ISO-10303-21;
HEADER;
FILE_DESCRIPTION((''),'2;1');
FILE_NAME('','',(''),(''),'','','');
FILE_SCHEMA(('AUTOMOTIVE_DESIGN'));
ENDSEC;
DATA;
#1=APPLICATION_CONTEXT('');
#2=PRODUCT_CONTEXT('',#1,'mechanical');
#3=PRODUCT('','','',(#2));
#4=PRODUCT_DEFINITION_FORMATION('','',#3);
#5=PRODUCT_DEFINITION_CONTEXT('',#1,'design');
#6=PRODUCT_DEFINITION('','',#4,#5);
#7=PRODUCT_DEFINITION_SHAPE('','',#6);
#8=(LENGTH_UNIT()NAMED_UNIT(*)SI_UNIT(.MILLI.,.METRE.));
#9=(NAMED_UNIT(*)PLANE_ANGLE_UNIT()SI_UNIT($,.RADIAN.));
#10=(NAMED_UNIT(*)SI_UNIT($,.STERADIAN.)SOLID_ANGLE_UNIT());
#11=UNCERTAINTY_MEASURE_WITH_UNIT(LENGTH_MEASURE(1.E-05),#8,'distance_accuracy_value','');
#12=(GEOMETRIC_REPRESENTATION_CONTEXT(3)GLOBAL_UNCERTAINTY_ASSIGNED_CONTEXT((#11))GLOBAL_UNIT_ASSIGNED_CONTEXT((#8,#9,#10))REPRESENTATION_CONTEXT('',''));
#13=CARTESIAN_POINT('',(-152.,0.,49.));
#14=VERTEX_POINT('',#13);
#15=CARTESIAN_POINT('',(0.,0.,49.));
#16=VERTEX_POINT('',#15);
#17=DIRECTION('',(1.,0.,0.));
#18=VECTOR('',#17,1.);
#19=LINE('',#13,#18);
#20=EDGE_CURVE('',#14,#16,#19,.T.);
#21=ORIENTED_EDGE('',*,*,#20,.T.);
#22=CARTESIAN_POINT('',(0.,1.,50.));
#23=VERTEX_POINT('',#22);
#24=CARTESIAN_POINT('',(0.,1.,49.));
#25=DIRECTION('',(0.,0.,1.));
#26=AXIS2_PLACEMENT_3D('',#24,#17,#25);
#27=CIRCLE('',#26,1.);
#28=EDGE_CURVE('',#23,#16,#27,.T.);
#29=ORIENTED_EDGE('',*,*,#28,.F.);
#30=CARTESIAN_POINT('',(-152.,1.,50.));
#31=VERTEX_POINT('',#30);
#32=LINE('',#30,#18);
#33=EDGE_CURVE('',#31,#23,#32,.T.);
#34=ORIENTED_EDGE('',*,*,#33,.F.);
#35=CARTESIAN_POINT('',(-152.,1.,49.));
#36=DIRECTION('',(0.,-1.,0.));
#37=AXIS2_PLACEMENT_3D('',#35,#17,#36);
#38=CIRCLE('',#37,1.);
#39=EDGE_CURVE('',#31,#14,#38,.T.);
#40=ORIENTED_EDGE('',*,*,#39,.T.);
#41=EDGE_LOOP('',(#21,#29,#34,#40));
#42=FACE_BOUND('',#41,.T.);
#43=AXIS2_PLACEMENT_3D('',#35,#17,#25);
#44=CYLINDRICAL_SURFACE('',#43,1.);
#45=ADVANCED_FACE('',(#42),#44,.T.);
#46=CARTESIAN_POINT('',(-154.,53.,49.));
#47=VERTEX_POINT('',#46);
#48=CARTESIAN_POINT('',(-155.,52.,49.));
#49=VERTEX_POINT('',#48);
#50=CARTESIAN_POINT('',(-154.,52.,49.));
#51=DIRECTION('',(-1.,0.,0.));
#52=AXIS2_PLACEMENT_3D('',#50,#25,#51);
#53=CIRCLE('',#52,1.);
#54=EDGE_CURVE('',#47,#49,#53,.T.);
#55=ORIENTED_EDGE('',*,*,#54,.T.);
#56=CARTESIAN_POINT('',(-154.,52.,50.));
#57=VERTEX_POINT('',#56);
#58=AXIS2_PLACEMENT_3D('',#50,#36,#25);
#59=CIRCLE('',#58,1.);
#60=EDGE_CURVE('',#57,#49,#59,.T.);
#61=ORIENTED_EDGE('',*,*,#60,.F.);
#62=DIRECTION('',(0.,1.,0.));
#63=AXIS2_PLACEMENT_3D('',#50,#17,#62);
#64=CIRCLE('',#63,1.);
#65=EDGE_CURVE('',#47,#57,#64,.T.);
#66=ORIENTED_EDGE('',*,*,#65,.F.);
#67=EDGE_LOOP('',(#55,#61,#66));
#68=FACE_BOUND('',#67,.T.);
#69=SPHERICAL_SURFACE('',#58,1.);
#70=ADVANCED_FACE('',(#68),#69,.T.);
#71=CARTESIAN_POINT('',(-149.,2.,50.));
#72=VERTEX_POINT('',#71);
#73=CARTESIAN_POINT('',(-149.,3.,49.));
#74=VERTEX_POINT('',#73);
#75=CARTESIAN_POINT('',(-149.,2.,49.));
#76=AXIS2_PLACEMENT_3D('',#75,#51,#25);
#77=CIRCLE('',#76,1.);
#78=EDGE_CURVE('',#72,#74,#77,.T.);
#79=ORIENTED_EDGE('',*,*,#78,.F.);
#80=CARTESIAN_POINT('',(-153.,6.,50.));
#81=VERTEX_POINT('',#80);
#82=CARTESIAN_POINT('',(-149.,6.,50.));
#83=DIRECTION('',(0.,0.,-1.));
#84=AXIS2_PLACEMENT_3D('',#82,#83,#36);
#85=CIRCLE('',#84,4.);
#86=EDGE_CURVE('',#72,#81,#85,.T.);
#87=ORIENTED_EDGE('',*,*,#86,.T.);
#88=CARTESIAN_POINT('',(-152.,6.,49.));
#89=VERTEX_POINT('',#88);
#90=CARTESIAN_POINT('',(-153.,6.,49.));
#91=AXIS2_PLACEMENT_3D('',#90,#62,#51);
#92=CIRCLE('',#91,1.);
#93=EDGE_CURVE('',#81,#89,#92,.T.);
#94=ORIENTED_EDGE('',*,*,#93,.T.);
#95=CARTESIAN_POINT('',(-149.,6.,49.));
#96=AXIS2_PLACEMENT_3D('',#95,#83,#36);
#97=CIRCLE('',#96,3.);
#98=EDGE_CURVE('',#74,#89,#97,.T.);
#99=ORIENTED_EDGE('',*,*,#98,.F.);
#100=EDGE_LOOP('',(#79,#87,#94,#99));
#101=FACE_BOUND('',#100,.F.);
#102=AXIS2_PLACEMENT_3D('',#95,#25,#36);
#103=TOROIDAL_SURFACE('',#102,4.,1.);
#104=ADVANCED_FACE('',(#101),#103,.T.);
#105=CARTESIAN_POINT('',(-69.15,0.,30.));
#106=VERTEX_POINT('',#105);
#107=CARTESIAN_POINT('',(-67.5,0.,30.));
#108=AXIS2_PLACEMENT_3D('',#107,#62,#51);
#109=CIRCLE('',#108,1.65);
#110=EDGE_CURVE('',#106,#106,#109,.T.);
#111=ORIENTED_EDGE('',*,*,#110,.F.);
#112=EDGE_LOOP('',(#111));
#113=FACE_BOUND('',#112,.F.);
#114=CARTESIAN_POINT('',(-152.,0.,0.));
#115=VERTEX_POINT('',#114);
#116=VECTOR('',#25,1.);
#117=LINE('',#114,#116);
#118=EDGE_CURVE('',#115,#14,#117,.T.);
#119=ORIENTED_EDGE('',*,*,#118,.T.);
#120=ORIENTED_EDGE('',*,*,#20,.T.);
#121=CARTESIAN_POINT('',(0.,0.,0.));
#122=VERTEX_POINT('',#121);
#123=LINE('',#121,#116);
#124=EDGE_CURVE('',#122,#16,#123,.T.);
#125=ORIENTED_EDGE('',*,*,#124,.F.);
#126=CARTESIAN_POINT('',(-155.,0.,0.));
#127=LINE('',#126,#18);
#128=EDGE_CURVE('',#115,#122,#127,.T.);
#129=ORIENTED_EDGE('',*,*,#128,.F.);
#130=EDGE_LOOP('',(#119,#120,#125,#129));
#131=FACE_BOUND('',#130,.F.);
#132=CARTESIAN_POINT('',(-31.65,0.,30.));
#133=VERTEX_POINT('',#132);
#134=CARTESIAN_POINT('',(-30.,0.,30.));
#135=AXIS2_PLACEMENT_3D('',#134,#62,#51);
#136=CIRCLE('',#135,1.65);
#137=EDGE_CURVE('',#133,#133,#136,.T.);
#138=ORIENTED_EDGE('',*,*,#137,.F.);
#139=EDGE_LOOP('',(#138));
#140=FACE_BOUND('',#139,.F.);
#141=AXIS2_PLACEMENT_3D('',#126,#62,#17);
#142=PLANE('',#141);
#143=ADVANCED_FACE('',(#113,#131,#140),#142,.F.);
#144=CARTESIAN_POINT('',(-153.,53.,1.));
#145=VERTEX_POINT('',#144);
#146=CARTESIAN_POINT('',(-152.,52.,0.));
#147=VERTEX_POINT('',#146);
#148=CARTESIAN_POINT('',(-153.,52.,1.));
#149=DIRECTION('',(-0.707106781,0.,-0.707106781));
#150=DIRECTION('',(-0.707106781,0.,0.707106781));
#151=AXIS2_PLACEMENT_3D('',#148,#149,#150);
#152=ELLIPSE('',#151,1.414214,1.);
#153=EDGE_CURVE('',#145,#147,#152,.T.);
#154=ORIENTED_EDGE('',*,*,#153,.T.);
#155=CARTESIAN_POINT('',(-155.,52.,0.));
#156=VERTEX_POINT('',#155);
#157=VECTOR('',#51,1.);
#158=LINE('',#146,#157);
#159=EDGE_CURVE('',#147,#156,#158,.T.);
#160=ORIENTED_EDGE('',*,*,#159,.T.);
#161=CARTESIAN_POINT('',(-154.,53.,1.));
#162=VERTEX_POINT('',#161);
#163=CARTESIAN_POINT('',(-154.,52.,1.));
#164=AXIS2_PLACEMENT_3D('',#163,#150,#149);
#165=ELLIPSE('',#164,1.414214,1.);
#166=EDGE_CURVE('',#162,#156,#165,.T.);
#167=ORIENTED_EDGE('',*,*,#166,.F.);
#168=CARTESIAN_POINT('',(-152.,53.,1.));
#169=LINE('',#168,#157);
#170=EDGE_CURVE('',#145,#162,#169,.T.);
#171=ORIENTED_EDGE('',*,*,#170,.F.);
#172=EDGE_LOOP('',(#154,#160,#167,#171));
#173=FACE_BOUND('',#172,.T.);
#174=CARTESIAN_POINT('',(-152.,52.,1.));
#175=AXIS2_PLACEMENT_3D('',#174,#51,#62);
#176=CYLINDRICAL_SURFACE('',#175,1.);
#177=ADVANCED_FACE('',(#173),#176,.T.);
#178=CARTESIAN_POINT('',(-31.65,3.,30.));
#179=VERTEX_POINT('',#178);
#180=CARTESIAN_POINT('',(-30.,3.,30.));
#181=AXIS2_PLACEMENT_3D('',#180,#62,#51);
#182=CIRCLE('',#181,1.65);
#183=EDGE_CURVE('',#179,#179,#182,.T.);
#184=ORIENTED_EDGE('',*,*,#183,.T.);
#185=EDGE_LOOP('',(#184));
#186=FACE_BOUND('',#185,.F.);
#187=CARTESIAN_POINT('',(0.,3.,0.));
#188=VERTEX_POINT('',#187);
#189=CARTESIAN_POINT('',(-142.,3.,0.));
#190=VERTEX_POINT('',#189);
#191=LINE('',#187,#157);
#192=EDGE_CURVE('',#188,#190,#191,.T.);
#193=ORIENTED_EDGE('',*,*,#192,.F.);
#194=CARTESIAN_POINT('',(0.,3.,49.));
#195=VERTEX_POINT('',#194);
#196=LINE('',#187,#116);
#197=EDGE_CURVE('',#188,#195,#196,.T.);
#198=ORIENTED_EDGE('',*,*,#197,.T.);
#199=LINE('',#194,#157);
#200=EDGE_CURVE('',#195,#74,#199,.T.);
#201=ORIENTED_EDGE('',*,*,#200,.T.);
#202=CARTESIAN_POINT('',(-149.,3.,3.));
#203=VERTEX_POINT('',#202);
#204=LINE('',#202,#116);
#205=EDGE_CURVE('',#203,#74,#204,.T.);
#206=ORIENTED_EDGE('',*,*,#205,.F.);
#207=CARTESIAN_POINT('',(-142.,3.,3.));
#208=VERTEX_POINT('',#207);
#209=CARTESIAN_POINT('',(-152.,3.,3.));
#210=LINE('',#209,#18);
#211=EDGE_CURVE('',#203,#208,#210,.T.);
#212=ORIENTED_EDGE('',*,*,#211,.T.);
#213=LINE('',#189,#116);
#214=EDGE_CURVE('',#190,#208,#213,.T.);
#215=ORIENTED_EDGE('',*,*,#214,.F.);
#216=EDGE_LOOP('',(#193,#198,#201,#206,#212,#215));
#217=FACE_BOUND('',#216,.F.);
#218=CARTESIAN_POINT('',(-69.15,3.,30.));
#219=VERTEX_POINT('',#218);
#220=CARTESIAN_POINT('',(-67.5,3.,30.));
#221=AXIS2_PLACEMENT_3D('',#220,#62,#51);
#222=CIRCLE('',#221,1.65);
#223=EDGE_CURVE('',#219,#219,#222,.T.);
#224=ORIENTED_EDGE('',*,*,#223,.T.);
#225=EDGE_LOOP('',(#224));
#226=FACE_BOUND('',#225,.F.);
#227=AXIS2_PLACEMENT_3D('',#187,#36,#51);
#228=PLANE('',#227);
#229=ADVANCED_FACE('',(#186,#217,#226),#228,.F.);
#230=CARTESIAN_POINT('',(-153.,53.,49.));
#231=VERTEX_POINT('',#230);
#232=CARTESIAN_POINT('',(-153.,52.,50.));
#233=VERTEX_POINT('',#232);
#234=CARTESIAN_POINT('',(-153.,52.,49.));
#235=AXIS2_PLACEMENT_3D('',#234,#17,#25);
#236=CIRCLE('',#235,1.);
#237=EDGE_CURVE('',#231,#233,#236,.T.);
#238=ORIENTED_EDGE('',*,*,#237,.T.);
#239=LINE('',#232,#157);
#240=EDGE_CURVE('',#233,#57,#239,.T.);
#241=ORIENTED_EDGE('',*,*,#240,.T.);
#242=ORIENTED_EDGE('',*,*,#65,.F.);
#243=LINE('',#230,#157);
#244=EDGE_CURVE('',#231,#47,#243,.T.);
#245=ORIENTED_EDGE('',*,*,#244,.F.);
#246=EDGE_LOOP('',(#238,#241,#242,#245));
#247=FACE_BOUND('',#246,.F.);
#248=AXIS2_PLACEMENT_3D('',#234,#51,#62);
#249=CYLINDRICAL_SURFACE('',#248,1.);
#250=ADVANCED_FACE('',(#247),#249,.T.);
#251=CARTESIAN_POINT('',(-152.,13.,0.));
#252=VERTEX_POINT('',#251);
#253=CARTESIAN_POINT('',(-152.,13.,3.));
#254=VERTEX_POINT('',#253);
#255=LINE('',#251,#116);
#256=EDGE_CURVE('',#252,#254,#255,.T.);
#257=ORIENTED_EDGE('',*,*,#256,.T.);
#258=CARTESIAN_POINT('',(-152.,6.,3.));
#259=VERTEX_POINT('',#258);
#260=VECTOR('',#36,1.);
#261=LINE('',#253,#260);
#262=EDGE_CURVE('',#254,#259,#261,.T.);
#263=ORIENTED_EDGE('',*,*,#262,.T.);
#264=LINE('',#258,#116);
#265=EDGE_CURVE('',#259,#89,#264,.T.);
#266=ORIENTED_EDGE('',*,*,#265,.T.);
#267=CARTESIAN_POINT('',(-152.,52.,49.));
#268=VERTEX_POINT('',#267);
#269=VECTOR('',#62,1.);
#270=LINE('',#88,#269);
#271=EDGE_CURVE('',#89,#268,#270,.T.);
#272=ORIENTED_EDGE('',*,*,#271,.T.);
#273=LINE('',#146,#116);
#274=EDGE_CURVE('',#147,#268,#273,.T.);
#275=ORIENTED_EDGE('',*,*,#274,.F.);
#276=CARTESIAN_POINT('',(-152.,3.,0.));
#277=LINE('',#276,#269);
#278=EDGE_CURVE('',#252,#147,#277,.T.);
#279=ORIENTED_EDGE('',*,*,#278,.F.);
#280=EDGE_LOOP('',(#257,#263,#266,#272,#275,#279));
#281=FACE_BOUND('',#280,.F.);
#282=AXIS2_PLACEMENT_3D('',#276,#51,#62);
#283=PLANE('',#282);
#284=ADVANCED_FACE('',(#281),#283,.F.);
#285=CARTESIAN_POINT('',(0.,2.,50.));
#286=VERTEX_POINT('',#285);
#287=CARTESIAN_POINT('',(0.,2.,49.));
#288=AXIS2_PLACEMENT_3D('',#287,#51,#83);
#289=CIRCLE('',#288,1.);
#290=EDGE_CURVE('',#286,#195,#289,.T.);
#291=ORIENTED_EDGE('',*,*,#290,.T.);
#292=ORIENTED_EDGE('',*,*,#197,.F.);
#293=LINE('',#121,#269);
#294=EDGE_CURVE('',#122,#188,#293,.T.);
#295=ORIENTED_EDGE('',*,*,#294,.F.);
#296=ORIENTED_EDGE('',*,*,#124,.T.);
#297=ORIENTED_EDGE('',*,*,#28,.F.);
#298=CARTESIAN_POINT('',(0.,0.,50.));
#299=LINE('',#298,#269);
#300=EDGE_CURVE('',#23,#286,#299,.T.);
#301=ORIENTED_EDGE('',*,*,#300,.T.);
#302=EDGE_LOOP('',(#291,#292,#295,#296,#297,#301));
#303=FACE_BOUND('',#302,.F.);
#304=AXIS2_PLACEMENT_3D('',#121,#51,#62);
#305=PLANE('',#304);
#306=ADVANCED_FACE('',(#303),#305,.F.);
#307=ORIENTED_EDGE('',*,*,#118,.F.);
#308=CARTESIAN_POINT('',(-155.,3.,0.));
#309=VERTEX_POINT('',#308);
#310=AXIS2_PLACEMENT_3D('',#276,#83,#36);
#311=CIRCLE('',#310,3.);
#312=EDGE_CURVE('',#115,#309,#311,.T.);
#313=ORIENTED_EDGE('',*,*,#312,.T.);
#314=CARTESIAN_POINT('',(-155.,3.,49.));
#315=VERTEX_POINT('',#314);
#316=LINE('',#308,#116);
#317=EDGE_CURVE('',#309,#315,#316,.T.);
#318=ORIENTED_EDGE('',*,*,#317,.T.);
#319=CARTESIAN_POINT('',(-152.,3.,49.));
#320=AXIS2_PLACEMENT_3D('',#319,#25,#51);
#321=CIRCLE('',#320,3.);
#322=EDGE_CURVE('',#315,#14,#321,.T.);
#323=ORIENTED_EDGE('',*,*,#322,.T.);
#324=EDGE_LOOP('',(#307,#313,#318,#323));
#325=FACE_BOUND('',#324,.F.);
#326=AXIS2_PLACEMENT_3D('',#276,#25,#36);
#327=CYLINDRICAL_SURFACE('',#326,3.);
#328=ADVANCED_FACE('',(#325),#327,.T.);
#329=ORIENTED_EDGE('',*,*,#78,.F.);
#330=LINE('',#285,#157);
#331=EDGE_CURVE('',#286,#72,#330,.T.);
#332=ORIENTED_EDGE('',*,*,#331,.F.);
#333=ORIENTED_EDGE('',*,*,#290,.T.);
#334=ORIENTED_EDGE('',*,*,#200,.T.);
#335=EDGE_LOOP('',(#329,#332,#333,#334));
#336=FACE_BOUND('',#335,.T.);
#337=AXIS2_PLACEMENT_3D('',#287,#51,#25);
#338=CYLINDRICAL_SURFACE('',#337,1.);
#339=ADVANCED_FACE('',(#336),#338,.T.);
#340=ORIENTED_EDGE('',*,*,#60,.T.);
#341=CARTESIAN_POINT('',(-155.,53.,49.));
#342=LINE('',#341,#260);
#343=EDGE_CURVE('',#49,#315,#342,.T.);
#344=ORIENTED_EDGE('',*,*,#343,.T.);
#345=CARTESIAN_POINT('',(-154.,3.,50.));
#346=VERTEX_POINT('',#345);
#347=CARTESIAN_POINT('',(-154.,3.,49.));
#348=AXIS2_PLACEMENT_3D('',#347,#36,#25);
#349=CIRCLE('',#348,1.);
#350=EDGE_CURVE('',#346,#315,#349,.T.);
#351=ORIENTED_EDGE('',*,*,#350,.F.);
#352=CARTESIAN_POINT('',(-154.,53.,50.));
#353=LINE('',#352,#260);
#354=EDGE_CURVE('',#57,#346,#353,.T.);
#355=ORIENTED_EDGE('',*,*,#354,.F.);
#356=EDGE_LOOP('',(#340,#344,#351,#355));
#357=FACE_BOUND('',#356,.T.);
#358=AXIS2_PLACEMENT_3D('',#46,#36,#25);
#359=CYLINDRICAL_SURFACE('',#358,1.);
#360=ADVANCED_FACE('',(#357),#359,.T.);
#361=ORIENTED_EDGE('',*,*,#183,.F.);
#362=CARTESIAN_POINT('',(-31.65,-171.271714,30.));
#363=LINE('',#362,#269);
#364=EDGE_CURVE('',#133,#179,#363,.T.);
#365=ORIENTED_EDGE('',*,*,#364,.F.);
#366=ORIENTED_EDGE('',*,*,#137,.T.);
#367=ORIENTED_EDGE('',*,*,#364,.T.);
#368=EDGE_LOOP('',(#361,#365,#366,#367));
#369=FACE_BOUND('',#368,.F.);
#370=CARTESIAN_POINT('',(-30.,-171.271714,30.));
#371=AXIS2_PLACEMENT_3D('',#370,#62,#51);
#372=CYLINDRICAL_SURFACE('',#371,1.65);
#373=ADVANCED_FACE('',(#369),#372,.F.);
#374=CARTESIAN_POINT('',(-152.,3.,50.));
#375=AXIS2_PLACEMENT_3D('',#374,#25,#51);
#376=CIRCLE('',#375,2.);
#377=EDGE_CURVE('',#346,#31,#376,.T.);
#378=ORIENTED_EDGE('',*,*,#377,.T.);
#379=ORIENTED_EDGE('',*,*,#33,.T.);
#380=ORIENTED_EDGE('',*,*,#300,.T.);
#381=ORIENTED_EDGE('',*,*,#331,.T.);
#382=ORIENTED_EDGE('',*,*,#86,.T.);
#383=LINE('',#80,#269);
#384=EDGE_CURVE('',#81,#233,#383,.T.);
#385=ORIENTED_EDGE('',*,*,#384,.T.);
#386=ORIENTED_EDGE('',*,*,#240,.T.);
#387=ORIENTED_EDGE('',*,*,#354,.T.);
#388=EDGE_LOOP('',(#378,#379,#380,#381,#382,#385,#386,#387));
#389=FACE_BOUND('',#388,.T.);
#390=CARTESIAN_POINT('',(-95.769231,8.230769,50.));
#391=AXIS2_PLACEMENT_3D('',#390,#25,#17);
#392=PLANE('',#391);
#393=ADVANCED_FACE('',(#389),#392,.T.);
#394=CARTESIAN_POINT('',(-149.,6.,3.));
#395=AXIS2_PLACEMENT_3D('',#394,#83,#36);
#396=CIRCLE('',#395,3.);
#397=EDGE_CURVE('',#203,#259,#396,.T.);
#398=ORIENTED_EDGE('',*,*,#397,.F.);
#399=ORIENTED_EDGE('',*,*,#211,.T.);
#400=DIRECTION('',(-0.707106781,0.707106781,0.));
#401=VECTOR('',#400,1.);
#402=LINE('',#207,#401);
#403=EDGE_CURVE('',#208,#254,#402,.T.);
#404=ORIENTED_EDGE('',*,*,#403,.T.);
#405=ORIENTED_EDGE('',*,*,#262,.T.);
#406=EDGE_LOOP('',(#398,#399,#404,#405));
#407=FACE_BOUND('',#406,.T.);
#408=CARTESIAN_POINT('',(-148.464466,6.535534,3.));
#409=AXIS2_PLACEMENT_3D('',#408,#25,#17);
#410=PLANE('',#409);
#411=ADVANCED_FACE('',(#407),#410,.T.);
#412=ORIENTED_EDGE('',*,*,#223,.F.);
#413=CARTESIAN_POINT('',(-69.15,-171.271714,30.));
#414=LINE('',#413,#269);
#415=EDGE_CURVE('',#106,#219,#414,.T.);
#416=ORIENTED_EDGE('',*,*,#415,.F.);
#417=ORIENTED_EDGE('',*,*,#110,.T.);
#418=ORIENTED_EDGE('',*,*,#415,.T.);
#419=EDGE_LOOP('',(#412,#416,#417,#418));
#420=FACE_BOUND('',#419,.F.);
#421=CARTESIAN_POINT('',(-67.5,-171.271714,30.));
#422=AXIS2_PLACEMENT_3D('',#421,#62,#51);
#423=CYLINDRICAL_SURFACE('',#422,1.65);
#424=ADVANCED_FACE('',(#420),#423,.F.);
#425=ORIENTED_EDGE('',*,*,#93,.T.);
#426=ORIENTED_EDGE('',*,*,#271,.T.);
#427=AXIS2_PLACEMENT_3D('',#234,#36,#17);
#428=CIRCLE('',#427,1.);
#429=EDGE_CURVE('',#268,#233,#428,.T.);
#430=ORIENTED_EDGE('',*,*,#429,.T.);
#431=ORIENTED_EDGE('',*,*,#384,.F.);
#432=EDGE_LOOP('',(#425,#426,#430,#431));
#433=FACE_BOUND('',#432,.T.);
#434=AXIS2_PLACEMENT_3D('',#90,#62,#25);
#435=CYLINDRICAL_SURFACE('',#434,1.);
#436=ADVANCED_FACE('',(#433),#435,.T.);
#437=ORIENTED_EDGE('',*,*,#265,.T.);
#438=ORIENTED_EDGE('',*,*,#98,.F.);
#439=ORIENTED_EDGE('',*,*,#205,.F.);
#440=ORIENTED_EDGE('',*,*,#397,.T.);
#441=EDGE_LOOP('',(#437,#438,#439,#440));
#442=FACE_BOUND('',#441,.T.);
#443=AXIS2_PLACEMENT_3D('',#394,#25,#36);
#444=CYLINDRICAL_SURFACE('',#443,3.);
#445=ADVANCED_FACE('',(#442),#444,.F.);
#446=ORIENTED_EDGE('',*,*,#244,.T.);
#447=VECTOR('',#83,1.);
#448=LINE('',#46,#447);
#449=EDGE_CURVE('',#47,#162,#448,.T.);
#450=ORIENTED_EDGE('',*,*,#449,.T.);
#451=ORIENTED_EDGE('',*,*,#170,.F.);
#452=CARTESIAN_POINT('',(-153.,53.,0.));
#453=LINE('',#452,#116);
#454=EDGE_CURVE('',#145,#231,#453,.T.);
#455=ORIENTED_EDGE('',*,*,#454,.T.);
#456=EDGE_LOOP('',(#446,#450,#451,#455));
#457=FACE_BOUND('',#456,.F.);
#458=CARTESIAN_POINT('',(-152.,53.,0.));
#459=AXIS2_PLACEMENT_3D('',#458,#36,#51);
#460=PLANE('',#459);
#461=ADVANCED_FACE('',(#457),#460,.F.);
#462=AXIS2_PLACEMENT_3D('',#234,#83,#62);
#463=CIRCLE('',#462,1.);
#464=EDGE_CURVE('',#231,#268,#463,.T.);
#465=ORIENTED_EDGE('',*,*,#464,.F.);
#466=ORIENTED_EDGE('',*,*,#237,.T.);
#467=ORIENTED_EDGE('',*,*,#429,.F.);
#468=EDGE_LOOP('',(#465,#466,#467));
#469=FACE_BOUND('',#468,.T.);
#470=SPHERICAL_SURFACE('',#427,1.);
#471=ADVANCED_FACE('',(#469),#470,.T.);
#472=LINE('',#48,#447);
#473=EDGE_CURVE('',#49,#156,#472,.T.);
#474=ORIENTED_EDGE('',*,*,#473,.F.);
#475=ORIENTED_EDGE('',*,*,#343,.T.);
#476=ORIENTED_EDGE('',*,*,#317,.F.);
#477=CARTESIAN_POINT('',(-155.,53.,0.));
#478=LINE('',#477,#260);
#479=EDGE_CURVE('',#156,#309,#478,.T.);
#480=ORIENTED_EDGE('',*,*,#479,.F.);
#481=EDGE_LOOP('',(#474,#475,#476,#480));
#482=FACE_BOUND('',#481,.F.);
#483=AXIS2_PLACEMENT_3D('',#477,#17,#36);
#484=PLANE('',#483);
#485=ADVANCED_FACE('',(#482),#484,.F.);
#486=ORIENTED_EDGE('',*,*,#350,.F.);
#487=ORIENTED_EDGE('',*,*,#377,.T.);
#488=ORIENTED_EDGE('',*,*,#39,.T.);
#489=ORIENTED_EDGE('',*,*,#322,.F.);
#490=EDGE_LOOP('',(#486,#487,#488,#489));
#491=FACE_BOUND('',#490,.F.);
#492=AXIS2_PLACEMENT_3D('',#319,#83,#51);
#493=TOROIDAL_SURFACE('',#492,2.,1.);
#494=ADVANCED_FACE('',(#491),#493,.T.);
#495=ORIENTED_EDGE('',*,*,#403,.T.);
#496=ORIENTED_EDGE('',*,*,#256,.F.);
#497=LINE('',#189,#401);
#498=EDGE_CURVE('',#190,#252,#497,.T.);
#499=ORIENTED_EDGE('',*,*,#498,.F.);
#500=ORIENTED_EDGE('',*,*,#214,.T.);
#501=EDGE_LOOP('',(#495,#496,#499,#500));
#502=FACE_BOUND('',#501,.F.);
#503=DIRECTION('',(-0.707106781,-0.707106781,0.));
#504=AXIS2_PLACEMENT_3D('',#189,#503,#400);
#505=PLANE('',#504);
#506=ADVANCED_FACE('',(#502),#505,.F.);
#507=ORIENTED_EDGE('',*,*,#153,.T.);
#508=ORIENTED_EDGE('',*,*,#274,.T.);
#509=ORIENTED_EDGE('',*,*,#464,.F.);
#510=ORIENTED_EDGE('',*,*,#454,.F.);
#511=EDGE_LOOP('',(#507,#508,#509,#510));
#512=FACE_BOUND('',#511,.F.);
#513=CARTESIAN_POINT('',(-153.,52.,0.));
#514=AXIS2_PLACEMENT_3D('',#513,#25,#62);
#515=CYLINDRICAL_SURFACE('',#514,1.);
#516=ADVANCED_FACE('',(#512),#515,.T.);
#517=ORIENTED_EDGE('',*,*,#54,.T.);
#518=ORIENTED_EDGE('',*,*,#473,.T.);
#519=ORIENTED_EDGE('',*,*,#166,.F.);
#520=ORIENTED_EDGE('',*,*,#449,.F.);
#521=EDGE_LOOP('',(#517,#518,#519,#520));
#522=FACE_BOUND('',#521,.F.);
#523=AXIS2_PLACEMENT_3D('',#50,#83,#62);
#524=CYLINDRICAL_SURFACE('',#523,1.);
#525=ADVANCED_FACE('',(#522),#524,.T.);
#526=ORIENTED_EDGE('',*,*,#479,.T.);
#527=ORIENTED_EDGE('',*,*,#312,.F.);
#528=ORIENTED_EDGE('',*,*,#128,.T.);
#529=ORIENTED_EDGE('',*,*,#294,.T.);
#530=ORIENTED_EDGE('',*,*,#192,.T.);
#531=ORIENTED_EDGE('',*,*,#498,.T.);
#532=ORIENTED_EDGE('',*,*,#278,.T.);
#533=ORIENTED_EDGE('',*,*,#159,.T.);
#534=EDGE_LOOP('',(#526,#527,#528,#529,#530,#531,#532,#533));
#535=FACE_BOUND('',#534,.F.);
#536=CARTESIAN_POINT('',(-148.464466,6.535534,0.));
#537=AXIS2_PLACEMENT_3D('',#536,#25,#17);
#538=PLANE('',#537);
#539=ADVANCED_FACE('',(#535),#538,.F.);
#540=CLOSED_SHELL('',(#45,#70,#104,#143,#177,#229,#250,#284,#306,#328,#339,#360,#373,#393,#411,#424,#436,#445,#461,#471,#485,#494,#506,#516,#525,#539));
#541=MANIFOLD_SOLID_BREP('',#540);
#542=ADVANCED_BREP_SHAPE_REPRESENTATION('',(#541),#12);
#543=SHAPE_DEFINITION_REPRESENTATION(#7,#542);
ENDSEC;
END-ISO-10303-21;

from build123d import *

# Parameters (mm, degrees)
F1_DEPTH = 50
F2_DEPTH = 3
F3_R     = 3
F4_R     = 3
F6_D     = 3.3
F7_R     = 1
F8_R     = 1


with BuildPart() as f1:
    # F0 (on Top) → F1 (new body)
    with BuildSketch(Plane.XY):
        Polygon((-155, 0), (0, 0), (0, 3), (-142, 3), (-152, 3), (-152, 13), (-152, 53), (-155, 53), (-155, 3), align=None)
    extrude(amount=F1_DEPTH)

    # F0 (on Top) → F2 (join)
    with BuildSketch(Plane.XY):
        Polygon((-152, 3), (-142, 3), (-152, 13), align=None)
    extrude(amount=F2_DEPTH)

    # F3
    f3_edges = [f1.edges().sort_by_distance(p)[0] for p in [
        (-152, 3, 26.5),
    ]]
    fillet(f3_edges, radius=F3_R)

    # F4
    f4_edges = [f1.edges().sort_by_distance(p)[0] for p in [
        (-155, 0, 25),
    ]]
    fillet(f4_edges, radius=F4_R)

    # F6 (through all)
    with Locations(Plane.XZ):
        with Locations((-30, 30), (-67.5, 30)):
            Hole(F6_D / 2)

    # F7
    f7_edges = [f1.edges().sort_by_distance(p)[0] for p in [
        (-76, 0, 50),
        (-74.5, 3, 50),
        (-155, 28, 50),
        (-152, 29.5, 50),
        (-151.12132, 3.87868, 50),
        (-154.12132, 0.87868, 50),
    ]]
    fillet(f7_edges, radius=F7_R)

    # F8
    f8_edges = [f1.edges().sort_by_distance(p)[0] for p in [
        (-152, 53, 24.5),
        (-155, 53, 24.5),
        (-152.292893, 53, 49.707107),
        (-153.5, 53, 0),
        (-153.5, 53, 50),
        (-154.707107, 53, 49.707107),
    ]]
    fillet(f8_edges, radius=F8_R)


solid = f1.part
